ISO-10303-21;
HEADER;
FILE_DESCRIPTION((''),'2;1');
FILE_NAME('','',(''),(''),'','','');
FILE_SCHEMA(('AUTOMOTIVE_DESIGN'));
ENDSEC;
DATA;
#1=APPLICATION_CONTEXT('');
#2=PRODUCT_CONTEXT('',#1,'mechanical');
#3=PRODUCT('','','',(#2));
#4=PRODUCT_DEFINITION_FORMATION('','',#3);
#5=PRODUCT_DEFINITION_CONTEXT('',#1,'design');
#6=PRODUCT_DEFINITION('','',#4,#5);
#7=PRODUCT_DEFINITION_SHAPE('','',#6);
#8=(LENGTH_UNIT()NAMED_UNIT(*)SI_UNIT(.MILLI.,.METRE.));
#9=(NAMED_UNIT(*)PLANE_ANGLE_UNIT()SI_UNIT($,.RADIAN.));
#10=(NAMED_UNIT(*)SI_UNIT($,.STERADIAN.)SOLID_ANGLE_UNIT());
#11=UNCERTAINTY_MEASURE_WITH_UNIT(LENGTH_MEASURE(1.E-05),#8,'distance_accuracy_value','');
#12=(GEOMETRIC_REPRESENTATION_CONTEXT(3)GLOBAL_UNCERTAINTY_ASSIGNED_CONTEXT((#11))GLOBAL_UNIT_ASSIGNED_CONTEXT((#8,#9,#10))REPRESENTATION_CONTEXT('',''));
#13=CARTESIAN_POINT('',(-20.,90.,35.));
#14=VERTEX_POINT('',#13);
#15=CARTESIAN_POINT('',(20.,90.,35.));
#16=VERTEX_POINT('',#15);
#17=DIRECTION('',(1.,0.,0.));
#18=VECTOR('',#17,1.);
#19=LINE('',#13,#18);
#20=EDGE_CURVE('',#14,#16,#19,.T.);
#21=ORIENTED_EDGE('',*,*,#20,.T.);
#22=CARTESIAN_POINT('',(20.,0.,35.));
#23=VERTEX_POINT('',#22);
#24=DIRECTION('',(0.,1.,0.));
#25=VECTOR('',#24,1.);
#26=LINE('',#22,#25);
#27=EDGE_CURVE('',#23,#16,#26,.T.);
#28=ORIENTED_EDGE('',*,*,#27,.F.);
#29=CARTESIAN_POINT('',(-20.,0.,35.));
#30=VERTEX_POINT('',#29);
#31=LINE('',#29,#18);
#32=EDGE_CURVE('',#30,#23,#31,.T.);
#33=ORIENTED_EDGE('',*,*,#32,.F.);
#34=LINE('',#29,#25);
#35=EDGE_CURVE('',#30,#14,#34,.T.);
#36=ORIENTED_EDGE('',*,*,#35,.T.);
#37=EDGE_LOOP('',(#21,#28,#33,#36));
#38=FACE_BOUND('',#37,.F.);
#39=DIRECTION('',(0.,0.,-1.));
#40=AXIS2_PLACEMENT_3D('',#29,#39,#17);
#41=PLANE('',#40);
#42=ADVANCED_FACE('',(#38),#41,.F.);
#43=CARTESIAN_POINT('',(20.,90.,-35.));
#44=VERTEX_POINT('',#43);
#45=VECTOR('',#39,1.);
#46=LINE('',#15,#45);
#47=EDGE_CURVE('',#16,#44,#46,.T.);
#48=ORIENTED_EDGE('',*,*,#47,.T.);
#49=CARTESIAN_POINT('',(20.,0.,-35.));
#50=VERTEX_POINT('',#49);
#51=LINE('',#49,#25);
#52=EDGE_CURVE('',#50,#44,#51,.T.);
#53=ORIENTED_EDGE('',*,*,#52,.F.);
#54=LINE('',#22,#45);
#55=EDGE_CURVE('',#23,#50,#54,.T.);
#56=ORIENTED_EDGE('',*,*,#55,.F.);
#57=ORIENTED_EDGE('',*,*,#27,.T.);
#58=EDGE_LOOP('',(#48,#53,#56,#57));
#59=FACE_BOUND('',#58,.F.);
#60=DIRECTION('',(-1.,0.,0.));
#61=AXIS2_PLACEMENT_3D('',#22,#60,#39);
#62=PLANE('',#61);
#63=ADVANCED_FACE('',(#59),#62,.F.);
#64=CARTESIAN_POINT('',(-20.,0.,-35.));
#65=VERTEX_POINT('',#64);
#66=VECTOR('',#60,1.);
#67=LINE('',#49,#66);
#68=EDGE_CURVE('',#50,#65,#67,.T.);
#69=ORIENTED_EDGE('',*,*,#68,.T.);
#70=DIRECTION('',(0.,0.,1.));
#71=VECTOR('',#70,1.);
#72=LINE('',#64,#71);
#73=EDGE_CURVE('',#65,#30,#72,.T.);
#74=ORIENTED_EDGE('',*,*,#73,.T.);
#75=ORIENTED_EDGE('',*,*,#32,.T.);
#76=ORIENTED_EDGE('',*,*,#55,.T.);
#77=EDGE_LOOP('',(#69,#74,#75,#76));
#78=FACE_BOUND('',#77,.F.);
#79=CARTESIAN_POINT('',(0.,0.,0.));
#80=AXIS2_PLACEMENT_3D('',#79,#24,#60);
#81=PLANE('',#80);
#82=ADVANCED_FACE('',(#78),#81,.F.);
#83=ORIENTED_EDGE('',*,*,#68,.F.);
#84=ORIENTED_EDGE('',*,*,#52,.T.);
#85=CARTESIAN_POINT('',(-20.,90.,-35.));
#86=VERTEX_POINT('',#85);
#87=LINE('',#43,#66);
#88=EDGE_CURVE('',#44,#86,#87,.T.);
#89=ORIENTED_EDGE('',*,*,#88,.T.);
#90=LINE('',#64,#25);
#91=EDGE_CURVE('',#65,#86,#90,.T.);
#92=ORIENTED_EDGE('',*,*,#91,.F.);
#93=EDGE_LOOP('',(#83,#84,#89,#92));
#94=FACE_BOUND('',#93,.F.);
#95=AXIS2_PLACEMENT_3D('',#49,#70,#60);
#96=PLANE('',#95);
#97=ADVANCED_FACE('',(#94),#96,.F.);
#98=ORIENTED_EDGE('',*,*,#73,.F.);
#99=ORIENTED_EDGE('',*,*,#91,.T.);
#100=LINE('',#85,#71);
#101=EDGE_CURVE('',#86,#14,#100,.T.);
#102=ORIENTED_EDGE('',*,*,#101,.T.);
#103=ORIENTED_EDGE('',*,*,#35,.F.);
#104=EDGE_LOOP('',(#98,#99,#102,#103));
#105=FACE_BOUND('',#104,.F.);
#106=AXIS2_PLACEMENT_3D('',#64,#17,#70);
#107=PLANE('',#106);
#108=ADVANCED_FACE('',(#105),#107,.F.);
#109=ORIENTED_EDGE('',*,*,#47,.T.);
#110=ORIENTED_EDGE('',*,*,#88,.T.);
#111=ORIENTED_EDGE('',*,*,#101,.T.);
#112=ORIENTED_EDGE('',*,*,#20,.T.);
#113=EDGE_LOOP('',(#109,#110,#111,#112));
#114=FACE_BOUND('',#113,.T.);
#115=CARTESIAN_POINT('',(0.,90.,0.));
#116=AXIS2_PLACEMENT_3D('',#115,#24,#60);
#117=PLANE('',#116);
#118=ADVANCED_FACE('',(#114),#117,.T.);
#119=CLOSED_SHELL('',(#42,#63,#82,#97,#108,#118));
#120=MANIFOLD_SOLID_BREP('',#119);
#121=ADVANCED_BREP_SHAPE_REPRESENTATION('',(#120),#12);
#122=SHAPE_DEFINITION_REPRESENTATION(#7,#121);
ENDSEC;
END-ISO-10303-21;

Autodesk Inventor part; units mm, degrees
ref_plane "YZ Plane" through (0, 0, 0) normal (1, 0, 0) x (0, 1, 0)
ref_plane "XZ Plane" through (0, 0, 0) normal (0, 1, 0) x (-1, 0, 0)
ref_plane "XY Plane" through (0, 0, 0) normal (0, 0, 1) x (1, 0, 0)
sketch "Sketch1" plane through (0, 0, 0) normal (0, 1, 0) x (-1, 0, 0)
  line L0 (20, 35) -> (-20, 35)
  line L1 (-20, 35) -> (-20, -35)
  line L2 (-20, -35) -> (20, -35)
  line L3 (20, -35) -> (20, 35)
  line L4 (20, 35) -> (-20, -35) construction
  line L5 (-20, 35) -> (20, -35) construction
  point P0 (0, 0)
  dimension "d0" = 40
  dimension "d1" = 70
extrude "Extrusion1" add sketch "Sketch1" along normal blind 90
properties part number "pump" material "ABS Plastic"
